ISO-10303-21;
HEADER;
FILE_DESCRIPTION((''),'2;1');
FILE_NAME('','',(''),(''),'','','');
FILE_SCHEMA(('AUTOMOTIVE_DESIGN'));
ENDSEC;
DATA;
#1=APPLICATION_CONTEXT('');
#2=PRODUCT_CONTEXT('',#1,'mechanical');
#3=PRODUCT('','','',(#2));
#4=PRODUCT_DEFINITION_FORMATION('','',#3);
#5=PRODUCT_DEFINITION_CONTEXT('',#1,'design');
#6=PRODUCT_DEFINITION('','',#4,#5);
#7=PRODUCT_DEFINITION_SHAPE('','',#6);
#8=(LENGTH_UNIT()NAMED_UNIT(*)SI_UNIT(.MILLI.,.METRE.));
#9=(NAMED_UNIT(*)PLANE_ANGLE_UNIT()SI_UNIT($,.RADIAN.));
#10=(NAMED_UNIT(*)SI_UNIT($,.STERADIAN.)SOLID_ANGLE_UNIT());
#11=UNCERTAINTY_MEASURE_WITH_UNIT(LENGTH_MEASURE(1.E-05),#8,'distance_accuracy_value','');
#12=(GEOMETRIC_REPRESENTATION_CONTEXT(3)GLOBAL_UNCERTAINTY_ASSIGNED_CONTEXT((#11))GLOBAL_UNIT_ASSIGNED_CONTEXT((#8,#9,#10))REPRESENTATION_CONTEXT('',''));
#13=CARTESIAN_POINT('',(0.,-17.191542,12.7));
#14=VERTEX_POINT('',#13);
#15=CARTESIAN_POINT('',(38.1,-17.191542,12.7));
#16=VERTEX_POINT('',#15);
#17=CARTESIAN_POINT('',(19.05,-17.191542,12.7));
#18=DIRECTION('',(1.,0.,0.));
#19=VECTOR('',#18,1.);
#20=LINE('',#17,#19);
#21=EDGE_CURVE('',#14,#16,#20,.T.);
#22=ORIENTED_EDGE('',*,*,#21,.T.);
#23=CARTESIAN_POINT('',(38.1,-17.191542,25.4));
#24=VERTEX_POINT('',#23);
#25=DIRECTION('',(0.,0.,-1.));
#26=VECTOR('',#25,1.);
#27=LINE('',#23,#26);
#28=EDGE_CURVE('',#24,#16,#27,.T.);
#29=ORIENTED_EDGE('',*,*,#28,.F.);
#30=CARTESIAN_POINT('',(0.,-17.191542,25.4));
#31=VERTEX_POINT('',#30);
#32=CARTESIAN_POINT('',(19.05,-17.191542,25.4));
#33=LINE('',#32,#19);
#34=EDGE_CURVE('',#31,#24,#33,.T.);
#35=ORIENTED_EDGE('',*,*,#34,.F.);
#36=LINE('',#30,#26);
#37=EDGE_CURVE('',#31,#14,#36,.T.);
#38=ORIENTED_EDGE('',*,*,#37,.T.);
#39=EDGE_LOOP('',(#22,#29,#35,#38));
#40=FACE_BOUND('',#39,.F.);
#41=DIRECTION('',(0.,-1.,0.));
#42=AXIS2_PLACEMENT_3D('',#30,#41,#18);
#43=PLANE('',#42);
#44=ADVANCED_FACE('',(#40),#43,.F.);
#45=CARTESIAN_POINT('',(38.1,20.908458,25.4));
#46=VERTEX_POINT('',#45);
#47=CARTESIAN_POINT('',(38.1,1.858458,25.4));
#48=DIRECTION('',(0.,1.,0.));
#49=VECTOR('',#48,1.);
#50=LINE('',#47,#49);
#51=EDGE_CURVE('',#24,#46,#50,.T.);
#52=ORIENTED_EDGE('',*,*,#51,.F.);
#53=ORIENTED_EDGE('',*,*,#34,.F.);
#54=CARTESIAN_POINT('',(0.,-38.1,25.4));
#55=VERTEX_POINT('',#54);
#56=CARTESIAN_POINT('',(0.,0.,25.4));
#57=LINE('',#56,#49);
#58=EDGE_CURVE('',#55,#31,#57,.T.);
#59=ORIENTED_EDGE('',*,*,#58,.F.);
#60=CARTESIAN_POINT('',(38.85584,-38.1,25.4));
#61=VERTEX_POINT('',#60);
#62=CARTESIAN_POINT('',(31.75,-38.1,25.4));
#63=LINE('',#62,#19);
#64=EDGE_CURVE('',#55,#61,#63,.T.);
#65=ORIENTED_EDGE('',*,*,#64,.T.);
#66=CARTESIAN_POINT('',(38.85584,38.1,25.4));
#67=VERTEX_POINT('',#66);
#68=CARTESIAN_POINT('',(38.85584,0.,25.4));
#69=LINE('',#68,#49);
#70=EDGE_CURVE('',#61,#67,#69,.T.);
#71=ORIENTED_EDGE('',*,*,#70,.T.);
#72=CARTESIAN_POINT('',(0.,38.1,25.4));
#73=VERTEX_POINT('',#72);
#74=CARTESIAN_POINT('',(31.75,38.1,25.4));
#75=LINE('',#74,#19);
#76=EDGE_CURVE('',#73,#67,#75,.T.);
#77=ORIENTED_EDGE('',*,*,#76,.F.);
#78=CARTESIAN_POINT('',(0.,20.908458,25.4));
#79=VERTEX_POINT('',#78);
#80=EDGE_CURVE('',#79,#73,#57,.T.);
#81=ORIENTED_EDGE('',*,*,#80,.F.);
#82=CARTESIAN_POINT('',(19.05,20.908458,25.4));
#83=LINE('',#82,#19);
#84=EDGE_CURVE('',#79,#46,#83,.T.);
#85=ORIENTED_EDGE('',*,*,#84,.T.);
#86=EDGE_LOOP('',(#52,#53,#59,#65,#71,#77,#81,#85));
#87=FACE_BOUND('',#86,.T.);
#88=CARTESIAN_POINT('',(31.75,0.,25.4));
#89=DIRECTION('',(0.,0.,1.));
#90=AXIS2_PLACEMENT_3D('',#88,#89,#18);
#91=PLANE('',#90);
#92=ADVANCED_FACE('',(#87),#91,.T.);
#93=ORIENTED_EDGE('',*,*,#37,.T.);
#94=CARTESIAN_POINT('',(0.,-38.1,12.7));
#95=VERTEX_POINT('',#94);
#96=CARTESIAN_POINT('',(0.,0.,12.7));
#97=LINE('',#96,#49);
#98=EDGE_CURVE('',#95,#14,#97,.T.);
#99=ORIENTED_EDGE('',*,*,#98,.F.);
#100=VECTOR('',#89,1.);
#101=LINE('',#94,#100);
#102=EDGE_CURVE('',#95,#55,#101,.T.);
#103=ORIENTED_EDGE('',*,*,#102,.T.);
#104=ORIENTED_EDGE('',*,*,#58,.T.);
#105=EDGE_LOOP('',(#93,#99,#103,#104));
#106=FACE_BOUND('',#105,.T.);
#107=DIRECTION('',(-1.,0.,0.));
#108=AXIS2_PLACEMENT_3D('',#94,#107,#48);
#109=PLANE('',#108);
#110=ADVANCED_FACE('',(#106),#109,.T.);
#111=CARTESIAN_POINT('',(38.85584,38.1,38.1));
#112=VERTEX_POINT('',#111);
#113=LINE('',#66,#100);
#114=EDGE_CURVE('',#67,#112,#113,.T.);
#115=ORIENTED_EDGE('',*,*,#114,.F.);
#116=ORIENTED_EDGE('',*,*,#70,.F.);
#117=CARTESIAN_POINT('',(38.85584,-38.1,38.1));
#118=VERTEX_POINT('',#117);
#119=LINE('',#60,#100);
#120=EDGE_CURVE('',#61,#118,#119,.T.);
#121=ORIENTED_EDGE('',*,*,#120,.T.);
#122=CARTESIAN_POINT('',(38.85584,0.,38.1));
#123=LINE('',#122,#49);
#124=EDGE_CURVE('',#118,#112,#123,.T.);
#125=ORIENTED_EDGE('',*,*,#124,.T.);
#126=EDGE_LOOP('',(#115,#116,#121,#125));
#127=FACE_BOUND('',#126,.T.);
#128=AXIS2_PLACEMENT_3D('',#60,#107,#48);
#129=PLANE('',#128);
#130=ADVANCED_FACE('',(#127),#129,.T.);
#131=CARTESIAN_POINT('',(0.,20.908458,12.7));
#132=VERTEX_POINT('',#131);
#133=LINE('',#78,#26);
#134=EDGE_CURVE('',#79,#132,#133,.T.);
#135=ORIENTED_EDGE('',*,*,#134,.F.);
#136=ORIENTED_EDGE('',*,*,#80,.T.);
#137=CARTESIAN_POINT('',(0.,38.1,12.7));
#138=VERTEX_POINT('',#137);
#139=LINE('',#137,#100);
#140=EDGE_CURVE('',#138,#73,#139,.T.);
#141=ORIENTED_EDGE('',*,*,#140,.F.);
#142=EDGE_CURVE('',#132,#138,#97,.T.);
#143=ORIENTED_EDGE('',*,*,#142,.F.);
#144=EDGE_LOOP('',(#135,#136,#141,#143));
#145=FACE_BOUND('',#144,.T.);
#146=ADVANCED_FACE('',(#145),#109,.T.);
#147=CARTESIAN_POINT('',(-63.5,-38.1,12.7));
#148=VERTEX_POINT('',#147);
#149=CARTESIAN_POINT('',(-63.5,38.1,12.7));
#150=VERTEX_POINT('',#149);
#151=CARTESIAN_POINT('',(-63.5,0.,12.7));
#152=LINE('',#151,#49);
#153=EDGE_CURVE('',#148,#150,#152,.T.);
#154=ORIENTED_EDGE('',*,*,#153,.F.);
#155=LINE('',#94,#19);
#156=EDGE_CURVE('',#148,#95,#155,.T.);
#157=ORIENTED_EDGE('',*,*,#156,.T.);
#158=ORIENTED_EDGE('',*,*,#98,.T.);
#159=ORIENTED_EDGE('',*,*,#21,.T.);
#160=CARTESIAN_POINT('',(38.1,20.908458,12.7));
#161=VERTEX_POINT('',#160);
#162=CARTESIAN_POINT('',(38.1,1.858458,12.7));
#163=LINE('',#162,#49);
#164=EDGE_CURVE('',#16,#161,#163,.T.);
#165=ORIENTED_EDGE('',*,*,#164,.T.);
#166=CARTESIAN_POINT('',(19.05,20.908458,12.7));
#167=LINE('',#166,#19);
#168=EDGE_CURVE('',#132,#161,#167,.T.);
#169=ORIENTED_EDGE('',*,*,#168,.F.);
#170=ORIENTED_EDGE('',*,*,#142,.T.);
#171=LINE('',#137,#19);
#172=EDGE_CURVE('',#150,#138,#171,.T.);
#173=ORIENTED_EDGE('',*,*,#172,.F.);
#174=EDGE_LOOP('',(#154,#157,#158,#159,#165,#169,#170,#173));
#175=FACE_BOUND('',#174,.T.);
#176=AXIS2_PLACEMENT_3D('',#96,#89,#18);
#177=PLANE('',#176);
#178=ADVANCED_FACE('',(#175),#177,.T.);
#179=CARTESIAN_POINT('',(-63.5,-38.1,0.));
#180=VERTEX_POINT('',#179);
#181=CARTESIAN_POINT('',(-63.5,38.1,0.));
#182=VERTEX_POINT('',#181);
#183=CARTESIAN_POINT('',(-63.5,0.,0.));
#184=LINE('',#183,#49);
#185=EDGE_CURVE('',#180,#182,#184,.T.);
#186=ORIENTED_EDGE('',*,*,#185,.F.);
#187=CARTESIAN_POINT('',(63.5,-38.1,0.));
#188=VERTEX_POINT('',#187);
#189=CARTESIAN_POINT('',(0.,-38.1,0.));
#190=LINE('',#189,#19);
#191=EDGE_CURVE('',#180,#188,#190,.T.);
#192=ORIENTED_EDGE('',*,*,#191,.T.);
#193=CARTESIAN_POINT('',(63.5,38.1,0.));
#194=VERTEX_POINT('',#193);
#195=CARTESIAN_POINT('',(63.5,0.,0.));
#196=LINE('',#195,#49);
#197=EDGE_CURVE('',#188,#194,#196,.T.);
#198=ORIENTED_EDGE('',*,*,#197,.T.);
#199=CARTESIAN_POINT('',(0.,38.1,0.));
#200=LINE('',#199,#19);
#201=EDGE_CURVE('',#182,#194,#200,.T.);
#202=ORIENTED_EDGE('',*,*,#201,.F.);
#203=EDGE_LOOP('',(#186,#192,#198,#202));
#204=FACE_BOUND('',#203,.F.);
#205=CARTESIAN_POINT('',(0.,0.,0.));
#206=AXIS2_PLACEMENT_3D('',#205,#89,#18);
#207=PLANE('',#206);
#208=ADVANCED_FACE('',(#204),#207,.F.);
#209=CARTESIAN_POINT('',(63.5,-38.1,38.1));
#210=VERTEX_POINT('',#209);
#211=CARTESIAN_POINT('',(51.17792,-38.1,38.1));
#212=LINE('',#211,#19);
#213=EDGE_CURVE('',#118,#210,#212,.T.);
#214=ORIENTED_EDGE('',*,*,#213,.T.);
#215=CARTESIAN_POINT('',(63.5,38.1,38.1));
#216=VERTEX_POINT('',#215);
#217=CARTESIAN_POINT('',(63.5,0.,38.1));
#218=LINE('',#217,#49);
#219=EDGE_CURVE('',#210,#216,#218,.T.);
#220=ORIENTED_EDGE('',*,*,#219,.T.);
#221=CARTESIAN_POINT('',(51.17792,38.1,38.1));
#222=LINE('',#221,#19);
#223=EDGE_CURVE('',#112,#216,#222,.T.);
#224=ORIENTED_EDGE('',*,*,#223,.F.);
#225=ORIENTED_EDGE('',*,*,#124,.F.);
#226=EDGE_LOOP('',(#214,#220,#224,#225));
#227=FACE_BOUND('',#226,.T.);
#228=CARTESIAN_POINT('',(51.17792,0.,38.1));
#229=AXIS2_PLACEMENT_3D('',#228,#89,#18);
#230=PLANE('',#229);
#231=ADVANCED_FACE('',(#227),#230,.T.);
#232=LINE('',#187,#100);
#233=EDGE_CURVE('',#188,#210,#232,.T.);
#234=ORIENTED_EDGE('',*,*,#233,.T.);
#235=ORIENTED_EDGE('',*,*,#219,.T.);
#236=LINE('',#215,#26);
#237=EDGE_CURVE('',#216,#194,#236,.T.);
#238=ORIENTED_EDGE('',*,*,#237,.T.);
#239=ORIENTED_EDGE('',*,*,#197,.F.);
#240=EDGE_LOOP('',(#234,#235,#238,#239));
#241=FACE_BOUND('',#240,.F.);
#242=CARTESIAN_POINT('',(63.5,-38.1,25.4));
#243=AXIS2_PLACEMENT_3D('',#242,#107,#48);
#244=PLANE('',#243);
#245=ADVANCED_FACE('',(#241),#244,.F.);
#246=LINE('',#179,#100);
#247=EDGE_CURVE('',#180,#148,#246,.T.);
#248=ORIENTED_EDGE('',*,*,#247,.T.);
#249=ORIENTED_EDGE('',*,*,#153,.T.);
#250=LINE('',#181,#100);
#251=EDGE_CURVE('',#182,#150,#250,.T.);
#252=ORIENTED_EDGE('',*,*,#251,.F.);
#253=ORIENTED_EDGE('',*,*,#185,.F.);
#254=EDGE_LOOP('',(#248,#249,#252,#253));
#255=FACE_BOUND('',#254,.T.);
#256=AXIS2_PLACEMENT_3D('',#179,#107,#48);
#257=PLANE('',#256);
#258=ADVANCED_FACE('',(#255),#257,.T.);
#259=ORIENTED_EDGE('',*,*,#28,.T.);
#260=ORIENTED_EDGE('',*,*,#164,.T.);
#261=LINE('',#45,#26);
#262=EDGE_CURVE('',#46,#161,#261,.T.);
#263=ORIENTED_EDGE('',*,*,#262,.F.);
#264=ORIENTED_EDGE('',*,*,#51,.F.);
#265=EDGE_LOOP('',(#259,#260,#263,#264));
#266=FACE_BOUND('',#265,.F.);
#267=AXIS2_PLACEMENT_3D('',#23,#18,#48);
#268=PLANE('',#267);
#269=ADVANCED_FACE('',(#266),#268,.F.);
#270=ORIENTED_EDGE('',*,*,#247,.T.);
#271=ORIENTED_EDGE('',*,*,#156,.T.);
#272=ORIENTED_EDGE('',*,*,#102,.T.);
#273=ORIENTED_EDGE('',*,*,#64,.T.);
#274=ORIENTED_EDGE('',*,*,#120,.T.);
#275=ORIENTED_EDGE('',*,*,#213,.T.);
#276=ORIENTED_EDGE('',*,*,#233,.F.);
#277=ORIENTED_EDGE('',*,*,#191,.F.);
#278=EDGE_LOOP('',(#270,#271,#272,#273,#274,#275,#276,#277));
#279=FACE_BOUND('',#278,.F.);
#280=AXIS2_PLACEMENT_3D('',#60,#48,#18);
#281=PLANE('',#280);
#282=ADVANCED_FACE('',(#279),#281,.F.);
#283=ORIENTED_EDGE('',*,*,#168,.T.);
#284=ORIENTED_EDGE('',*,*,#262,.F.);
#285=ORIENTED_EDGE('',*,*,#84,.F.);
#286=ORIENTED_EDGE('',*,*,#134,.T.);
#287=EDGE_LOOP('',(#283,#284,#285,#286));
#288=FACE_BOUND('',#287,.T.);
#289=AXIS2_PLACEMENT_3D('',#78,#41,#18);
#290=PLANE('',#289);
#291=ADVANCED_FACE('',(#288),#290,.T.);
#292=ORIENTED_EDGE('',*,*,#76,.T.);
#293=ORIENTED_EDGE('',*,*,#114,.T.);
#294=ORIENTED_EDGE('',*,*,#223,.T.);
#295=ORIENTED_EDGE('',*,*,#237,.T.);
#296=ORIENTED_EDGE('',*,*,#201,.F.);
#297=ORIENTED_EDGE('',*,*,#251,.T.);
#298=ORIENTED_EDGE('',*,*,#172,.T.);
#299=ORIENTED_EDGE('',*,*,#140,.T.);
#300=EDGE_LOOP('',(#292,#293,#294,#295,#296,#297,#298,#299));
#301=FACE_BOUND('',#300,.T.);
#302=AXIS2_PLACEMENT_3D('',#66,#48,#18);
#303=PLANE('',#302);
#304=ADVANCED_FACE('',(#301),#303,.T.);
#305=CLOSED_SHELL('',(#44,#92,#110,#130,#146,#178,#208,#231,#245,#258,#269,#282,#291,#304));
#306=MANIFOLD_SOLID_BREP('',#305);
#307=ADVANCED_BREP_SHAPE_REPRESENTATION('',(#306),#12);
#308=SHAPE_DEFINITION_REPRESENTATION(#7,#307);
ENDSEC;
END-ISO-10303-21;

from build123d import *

# Parameters (mm, degrees)
F0_W     = 127
F0_H     = 76.2
F1_DEPTH = 12.7
F2_W     = 63.5
F2_H     = 76.2
F3_DEPTH = 12.7
F4_W     = 38.1
F4_H     = 38.1
F5_DEPTH = 12.7
F6_W     = 24.64416
F6_H     = 76.2
F7_DEPTH = 12.7


with BuildPart() as f1:
    # F0 (on Top) → F1 (new body)
    with BuildSketch(Plane.XY):
        Rectangle(F0_W, F0_H)
    extrude(amount=F1_DEPTH)

    # F2 (on face) → F3 (join)
    with BuildSketch(Plane.XY.offset(12.7)):
        with Locations((31.75, 0)):
            Rectangle(F2_W, F2_H)
    extrude(amount=F3_DEPTH)

    # F4 (on face) → F5 (cut)
    with BuildSketch(Plane.XY.offset(25.4)):
        with Locations((19.05, 1.858458)):
            Rectangle(F4_W, F4_H)
    extrude(amount=-F5_DEPTH, mode=Mode.SUBTRACT)

    # F6 (on face) → F7 (join)
    with BuildSketch(Plane.XY.offset(25.4)):
        with Locations((51.17792, 0)):
            Rectangle(F6_W, F6_H)
    extrude(amount=F7_DEPTH)


solid = f1.part
